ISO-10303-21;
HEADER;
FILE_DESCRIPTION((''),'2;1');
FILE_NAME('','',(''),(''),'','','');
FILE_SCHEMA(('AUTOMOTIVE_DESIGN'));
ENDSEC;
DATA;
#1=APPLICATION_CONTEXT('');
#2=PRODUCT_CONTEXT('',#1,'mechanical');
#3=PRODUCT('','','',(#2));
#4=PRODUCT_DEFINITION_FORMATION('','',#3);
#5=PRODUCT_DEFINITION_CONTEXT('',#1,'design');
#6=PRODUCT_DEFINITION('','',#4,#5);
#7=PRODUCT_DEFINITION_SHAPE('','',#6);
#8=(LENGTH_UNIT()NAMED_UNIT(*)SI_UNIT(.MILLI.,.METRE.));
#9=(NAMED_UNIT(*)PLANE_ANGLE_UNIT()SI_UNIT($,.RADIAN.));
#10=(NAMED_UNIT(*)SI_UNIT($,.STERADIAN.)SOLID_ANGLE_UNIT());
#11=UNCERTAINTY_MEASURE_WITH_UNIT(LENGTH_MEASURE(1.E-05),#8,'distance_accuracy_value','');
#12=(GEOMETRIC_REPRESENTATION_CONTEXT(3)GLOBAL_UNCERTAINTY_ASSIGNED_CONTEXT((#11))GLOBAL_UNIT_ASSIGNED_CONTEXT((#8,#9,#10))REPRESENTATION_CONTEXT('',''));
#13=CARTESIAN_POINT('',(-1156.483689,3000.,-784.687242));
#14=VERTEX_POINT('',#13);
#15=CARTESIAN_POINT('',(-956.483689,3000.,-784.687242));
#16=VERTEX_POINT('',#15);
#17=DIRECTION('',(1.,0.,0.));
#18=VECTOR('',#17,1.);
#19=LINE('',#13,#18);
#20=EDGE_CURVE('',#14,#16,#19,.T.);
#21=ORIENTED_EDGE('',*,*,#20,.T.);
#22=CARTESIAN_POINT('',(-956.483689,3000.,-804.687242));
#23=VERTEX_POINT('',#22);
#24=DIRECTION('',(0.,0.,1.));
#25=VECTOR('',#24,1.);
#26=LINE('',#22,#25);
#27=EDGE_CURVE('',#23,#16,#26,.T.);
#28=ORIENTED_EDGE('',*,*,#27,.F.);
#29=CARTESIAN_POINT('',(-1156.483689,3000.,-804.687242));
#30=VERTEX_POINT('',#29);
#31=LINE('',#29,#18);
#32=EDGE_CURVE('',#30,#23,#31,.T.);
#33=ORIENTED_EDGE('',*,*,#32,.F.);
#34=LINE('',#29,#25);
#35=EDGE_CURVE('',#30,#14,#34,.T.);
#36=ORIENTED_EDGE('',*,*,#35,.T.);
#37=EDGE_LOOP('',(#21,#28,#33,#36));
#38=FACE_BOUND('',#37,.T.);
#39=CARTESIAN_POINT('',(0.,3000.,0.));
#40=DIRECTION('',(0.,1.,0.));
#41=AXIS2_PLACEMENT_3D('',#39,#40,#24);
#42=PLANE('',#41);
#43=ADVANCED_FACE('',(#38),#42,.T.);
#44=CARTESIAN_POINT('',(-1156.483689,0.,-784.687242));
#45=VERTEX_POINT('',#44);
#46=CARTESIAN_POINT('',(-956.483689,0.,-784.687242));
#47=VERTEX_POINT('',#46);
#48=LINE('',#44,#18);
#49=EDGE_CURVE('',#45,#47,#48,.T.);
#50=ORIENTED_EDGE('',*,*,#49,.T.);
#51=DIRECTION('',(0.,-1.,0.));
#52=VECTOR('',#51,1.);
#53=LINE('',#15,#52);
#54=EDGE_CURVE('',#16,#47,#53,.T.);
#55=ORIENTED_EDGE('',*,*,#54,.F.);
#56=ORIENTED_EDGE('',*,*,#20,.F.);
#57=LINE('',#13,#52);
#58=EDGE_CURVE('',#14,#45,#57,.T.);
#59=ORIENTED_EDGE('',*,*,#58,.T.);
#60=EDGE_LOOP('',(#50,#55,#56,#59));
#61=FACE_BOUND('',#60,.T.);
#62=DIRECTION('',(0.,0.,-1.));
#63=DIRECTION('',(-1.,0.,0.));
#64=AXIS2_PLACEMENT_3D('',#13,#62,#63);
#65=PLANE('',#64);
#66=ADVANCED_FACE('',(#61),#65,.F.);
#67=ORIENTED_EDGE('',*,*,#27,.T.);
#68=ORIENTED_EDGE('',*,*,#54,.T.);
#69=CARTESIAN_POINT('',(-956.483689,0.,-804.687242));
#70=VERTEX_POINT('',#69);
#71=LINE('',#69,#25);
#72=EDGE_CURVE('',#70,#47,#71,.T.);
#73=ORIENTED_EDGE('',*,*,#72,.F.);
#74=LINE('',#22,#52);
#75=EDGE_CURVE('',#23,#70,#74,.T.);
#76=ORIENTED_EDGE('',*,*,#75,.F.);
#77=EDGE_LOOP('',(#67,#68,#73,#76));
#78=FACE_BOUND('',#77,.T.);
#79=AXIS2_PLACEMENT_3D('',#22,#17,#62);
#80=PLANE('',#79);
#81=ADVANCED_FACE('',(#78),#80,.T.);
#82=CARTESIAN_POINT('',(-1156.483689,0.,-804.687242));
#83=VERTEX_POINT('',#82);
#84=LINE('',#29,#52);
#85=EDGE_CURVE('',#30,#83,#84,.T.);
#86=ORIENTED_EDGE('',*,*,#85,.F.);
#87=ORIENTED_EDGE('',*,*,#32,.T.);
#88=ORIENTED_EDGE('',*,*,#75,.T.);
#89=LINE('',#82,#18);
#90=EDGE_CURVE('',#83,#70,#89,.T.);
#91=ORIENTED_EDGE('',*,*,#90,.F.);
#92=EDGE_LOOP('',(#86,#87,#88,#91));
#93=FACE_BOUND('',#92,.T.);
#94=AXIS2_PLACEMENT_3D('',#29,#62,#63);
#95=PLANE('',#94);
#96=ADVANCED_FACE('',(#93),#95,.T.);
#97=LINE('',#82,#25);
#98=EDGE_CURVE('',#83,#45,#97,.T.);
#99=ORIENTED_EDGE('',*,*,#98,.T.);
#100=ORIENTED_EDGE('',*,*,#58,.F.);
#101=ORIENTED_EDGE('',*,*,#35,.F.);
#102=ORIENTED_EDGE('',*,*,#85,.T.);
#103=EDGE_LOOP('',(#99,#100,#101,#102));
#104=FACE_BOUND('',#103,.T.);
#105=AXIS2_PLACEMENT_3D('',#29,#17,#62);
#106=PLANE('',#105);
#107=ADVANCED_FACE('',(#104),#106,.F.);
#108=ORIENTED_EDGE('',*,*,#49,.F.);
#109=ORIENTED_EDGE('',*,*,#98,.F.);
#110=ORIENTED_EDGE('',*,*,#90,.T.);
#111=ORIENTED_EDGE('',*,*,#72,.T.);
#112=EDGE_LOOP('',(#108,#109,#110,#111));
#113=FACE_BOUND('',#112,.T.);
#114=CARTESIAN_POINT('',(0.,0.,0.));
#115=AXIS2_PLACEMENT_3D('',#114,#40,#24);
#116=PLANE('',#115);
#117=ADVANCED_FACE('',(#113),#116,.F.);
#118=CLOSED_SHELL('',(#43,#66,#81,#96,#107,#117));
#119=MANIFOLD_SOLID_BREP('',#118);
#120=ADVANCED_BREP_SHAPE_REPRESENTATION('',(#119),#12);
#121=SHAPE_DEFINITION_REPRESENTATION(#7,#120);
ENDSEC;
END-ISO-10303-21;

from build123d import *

# Parameters (mm, degrees)
ESBO_O1_W                = 200
ESBO_O1_H                = 20
RESSALTO_EXTRUS_O1_DEPTH = 3000


with BuildPart() as part:
    # Esboço1 → Ressalto-extrusão1 (new body)
    with BuildSketch(Plane(origin=(0, 0, 0), x_dir=(1, 0, 0), z_dir=(0, 1, 0))):
        with Locations((-1056.483688544, 794.687242443)):
            Rectangle(ESBO_O1_W, ESBO_O1_H)
    extrude(amount=RESSALTO_EXTRUS_O1_DEPTH)


solid = part.part
